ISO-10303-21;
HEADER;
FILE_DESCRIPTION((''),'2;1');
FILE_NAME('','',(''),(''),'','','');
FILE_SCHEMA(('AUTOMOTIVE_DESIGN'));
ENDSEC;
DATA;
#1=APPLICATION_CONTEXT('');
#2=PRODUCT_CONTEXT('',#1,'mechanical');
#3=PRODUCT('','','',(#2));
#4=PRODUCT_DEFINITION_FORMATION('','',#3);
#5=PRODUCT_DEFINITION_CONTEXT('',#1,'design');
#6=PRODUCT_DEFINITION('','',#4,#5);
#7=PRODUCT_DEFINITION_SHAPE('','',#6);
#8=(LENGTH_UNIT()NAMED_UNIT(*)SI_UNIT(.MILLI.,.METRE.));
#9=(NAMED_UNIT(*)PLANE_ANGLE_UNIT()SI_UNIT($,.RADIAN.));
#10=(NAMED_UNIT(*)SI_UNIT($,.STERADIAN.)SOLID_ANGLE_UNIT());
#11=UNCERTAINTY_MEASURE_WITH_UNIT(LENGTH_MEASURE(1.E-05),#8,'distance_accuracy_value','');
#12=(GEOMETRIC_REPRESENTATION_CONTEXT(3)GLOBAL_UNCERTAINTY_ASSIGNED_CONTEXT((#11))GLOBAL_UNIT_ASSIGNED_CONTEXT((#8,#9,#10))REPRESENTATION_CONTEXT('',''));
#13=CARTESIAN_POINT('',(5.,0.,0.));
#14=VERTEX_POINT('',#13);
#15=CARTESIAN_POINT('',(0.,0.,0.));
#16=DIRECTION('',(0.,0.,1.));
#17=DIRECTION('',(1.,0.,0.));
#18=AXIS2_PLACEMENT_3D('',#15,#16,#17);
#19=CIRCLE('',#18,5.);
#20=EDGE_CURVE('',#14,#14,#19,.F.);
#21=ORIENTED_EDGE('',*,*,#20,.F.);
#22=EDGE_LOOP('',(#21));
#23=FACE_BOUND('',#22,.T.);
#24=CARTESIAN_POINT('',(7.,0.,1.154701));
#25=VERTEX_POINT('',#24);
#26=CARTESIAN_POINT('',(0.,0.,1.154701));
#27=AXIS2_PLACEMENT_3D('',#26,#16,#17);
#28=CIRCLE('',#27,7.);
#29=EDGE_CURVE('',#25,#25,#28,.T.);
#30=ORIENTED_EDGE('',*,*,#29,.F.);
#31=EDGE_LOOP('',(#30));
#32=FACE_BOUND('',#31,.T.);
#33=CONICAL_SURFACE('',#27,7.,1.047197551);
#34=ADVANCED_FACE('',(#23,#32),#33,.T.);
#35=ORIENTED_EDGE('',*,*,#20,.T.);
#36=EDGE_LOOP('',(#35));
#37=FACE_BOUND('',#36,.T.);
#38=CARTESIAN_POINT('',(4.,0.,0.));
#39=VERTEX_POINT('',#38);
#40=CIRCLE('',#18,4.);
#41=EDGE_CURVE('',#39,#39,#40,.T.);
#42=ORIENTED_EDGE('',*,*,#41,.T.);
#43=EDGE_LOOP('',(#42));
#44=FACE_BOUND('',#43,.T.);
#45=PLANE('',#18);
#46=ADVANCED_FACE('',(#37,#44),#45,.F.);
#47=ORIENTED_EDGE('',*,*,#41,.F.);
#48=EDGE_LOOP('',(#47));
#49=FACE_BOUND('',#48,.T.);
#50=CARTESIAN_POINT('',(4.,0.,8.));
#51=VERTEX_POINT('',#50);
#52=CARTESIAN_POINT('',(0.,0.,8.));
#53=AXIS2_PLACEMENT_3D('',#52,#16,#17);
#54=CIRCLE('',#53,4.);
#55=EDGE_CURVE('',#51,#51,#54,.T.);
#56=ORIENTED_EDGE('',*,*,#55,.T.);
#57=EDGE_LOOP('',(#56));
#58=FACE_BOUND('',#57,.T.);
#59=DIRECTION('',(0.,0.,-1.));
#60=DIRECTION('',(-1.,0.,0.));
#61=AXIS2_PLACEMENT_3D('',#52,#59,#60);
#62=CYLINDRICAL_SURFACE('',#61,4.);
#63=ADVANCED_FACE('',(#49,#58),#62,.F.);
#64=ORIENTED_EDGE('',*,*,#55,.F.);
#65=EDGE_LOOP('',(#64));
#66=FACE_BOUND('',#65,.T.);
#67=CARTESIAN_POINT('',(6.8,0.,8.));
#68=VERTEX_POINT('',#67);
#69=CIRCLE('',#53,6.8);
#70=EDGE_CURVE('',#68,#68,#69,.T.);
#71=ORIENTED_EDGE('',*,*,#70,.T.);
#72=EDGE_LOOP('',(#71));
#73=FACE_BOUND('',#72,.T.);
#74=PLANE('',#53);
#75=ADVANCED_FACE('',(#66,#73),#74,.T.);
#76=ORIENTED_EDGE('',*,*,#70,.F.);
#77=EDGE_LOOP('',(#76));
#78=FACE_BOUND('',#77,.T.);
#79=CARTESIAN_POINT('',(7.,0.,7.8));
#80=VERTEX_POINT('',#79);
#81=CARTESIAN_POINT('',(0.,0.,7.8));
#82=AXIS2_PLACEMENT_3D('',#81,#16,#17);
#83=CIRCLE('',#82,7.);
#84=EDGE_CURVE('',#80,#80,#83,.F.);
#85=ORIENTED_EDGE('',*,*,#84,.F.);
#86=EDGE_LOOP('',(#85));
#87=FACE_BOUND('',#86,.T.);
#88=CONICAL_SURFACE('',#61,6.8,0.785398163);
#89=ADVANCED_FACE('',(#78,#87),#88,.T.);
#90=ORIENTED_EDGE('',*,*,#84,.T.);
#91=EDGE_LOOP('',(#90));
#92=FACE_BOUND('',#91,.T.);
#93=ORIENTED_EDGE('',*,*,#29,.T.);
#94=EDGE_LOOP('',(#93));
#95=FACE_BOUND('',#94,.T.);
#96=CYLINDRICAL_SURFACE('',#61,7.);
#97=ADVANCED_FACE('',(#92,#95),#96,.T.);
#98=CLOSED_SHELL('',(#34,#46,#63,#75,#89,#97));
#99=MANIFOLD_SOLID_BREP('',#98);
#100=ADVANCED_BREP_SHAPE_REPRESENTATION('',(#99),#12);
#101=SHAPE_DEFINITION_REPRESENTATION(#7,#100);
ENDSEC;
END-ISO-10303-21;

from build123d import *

# Parameters (mm, degrees)
SKETCH1_R           = 7
SKETCH1_R_2         = 4
BOSS_EXTRUDE1_DEPTH = 8
CHAMFER1_SIZE       = 0.2
CHAMFER2_SIZE       = 2
CHAMFER2_SIZE2      = 1.154700538


with BuildPart() as part:
    # Sketch1 → Boss-Extrude1 (new body)
    with BuildSketch(Plane.XY):
        Circle(SKETCH1_R)
        Circle(SKETCH1_R_2, mode=Mode.SUBTRACT)
    extrude(amount=BOSS_EXTRUDE1_DEPTH)

    # Chamfer1
    chamfer1_edges = [part.edges().sort_by_distance(p)[0] for p in [
        (-7, 0, 8),
    ]]
    chamfer(chamfer1_edges, length=CHAMFER1_SIZE)

    # Chamfer2
    chamfer2_edges = [part.edges().sort_by_distance(p)[0] for p in [
        (-7, 0, 0),
    ]]
    chamfer2_side = [part.faces().sort_by_distance(p)[0] for p in [
        (-6.802010101, 0, 0),
    ]]
    chamfer(chamfer2_edges, length=CHAMFER2_SIZE, length2=CHAMFER2_SIZE2, reference=chamfer2_side[0])


solid = part.part
